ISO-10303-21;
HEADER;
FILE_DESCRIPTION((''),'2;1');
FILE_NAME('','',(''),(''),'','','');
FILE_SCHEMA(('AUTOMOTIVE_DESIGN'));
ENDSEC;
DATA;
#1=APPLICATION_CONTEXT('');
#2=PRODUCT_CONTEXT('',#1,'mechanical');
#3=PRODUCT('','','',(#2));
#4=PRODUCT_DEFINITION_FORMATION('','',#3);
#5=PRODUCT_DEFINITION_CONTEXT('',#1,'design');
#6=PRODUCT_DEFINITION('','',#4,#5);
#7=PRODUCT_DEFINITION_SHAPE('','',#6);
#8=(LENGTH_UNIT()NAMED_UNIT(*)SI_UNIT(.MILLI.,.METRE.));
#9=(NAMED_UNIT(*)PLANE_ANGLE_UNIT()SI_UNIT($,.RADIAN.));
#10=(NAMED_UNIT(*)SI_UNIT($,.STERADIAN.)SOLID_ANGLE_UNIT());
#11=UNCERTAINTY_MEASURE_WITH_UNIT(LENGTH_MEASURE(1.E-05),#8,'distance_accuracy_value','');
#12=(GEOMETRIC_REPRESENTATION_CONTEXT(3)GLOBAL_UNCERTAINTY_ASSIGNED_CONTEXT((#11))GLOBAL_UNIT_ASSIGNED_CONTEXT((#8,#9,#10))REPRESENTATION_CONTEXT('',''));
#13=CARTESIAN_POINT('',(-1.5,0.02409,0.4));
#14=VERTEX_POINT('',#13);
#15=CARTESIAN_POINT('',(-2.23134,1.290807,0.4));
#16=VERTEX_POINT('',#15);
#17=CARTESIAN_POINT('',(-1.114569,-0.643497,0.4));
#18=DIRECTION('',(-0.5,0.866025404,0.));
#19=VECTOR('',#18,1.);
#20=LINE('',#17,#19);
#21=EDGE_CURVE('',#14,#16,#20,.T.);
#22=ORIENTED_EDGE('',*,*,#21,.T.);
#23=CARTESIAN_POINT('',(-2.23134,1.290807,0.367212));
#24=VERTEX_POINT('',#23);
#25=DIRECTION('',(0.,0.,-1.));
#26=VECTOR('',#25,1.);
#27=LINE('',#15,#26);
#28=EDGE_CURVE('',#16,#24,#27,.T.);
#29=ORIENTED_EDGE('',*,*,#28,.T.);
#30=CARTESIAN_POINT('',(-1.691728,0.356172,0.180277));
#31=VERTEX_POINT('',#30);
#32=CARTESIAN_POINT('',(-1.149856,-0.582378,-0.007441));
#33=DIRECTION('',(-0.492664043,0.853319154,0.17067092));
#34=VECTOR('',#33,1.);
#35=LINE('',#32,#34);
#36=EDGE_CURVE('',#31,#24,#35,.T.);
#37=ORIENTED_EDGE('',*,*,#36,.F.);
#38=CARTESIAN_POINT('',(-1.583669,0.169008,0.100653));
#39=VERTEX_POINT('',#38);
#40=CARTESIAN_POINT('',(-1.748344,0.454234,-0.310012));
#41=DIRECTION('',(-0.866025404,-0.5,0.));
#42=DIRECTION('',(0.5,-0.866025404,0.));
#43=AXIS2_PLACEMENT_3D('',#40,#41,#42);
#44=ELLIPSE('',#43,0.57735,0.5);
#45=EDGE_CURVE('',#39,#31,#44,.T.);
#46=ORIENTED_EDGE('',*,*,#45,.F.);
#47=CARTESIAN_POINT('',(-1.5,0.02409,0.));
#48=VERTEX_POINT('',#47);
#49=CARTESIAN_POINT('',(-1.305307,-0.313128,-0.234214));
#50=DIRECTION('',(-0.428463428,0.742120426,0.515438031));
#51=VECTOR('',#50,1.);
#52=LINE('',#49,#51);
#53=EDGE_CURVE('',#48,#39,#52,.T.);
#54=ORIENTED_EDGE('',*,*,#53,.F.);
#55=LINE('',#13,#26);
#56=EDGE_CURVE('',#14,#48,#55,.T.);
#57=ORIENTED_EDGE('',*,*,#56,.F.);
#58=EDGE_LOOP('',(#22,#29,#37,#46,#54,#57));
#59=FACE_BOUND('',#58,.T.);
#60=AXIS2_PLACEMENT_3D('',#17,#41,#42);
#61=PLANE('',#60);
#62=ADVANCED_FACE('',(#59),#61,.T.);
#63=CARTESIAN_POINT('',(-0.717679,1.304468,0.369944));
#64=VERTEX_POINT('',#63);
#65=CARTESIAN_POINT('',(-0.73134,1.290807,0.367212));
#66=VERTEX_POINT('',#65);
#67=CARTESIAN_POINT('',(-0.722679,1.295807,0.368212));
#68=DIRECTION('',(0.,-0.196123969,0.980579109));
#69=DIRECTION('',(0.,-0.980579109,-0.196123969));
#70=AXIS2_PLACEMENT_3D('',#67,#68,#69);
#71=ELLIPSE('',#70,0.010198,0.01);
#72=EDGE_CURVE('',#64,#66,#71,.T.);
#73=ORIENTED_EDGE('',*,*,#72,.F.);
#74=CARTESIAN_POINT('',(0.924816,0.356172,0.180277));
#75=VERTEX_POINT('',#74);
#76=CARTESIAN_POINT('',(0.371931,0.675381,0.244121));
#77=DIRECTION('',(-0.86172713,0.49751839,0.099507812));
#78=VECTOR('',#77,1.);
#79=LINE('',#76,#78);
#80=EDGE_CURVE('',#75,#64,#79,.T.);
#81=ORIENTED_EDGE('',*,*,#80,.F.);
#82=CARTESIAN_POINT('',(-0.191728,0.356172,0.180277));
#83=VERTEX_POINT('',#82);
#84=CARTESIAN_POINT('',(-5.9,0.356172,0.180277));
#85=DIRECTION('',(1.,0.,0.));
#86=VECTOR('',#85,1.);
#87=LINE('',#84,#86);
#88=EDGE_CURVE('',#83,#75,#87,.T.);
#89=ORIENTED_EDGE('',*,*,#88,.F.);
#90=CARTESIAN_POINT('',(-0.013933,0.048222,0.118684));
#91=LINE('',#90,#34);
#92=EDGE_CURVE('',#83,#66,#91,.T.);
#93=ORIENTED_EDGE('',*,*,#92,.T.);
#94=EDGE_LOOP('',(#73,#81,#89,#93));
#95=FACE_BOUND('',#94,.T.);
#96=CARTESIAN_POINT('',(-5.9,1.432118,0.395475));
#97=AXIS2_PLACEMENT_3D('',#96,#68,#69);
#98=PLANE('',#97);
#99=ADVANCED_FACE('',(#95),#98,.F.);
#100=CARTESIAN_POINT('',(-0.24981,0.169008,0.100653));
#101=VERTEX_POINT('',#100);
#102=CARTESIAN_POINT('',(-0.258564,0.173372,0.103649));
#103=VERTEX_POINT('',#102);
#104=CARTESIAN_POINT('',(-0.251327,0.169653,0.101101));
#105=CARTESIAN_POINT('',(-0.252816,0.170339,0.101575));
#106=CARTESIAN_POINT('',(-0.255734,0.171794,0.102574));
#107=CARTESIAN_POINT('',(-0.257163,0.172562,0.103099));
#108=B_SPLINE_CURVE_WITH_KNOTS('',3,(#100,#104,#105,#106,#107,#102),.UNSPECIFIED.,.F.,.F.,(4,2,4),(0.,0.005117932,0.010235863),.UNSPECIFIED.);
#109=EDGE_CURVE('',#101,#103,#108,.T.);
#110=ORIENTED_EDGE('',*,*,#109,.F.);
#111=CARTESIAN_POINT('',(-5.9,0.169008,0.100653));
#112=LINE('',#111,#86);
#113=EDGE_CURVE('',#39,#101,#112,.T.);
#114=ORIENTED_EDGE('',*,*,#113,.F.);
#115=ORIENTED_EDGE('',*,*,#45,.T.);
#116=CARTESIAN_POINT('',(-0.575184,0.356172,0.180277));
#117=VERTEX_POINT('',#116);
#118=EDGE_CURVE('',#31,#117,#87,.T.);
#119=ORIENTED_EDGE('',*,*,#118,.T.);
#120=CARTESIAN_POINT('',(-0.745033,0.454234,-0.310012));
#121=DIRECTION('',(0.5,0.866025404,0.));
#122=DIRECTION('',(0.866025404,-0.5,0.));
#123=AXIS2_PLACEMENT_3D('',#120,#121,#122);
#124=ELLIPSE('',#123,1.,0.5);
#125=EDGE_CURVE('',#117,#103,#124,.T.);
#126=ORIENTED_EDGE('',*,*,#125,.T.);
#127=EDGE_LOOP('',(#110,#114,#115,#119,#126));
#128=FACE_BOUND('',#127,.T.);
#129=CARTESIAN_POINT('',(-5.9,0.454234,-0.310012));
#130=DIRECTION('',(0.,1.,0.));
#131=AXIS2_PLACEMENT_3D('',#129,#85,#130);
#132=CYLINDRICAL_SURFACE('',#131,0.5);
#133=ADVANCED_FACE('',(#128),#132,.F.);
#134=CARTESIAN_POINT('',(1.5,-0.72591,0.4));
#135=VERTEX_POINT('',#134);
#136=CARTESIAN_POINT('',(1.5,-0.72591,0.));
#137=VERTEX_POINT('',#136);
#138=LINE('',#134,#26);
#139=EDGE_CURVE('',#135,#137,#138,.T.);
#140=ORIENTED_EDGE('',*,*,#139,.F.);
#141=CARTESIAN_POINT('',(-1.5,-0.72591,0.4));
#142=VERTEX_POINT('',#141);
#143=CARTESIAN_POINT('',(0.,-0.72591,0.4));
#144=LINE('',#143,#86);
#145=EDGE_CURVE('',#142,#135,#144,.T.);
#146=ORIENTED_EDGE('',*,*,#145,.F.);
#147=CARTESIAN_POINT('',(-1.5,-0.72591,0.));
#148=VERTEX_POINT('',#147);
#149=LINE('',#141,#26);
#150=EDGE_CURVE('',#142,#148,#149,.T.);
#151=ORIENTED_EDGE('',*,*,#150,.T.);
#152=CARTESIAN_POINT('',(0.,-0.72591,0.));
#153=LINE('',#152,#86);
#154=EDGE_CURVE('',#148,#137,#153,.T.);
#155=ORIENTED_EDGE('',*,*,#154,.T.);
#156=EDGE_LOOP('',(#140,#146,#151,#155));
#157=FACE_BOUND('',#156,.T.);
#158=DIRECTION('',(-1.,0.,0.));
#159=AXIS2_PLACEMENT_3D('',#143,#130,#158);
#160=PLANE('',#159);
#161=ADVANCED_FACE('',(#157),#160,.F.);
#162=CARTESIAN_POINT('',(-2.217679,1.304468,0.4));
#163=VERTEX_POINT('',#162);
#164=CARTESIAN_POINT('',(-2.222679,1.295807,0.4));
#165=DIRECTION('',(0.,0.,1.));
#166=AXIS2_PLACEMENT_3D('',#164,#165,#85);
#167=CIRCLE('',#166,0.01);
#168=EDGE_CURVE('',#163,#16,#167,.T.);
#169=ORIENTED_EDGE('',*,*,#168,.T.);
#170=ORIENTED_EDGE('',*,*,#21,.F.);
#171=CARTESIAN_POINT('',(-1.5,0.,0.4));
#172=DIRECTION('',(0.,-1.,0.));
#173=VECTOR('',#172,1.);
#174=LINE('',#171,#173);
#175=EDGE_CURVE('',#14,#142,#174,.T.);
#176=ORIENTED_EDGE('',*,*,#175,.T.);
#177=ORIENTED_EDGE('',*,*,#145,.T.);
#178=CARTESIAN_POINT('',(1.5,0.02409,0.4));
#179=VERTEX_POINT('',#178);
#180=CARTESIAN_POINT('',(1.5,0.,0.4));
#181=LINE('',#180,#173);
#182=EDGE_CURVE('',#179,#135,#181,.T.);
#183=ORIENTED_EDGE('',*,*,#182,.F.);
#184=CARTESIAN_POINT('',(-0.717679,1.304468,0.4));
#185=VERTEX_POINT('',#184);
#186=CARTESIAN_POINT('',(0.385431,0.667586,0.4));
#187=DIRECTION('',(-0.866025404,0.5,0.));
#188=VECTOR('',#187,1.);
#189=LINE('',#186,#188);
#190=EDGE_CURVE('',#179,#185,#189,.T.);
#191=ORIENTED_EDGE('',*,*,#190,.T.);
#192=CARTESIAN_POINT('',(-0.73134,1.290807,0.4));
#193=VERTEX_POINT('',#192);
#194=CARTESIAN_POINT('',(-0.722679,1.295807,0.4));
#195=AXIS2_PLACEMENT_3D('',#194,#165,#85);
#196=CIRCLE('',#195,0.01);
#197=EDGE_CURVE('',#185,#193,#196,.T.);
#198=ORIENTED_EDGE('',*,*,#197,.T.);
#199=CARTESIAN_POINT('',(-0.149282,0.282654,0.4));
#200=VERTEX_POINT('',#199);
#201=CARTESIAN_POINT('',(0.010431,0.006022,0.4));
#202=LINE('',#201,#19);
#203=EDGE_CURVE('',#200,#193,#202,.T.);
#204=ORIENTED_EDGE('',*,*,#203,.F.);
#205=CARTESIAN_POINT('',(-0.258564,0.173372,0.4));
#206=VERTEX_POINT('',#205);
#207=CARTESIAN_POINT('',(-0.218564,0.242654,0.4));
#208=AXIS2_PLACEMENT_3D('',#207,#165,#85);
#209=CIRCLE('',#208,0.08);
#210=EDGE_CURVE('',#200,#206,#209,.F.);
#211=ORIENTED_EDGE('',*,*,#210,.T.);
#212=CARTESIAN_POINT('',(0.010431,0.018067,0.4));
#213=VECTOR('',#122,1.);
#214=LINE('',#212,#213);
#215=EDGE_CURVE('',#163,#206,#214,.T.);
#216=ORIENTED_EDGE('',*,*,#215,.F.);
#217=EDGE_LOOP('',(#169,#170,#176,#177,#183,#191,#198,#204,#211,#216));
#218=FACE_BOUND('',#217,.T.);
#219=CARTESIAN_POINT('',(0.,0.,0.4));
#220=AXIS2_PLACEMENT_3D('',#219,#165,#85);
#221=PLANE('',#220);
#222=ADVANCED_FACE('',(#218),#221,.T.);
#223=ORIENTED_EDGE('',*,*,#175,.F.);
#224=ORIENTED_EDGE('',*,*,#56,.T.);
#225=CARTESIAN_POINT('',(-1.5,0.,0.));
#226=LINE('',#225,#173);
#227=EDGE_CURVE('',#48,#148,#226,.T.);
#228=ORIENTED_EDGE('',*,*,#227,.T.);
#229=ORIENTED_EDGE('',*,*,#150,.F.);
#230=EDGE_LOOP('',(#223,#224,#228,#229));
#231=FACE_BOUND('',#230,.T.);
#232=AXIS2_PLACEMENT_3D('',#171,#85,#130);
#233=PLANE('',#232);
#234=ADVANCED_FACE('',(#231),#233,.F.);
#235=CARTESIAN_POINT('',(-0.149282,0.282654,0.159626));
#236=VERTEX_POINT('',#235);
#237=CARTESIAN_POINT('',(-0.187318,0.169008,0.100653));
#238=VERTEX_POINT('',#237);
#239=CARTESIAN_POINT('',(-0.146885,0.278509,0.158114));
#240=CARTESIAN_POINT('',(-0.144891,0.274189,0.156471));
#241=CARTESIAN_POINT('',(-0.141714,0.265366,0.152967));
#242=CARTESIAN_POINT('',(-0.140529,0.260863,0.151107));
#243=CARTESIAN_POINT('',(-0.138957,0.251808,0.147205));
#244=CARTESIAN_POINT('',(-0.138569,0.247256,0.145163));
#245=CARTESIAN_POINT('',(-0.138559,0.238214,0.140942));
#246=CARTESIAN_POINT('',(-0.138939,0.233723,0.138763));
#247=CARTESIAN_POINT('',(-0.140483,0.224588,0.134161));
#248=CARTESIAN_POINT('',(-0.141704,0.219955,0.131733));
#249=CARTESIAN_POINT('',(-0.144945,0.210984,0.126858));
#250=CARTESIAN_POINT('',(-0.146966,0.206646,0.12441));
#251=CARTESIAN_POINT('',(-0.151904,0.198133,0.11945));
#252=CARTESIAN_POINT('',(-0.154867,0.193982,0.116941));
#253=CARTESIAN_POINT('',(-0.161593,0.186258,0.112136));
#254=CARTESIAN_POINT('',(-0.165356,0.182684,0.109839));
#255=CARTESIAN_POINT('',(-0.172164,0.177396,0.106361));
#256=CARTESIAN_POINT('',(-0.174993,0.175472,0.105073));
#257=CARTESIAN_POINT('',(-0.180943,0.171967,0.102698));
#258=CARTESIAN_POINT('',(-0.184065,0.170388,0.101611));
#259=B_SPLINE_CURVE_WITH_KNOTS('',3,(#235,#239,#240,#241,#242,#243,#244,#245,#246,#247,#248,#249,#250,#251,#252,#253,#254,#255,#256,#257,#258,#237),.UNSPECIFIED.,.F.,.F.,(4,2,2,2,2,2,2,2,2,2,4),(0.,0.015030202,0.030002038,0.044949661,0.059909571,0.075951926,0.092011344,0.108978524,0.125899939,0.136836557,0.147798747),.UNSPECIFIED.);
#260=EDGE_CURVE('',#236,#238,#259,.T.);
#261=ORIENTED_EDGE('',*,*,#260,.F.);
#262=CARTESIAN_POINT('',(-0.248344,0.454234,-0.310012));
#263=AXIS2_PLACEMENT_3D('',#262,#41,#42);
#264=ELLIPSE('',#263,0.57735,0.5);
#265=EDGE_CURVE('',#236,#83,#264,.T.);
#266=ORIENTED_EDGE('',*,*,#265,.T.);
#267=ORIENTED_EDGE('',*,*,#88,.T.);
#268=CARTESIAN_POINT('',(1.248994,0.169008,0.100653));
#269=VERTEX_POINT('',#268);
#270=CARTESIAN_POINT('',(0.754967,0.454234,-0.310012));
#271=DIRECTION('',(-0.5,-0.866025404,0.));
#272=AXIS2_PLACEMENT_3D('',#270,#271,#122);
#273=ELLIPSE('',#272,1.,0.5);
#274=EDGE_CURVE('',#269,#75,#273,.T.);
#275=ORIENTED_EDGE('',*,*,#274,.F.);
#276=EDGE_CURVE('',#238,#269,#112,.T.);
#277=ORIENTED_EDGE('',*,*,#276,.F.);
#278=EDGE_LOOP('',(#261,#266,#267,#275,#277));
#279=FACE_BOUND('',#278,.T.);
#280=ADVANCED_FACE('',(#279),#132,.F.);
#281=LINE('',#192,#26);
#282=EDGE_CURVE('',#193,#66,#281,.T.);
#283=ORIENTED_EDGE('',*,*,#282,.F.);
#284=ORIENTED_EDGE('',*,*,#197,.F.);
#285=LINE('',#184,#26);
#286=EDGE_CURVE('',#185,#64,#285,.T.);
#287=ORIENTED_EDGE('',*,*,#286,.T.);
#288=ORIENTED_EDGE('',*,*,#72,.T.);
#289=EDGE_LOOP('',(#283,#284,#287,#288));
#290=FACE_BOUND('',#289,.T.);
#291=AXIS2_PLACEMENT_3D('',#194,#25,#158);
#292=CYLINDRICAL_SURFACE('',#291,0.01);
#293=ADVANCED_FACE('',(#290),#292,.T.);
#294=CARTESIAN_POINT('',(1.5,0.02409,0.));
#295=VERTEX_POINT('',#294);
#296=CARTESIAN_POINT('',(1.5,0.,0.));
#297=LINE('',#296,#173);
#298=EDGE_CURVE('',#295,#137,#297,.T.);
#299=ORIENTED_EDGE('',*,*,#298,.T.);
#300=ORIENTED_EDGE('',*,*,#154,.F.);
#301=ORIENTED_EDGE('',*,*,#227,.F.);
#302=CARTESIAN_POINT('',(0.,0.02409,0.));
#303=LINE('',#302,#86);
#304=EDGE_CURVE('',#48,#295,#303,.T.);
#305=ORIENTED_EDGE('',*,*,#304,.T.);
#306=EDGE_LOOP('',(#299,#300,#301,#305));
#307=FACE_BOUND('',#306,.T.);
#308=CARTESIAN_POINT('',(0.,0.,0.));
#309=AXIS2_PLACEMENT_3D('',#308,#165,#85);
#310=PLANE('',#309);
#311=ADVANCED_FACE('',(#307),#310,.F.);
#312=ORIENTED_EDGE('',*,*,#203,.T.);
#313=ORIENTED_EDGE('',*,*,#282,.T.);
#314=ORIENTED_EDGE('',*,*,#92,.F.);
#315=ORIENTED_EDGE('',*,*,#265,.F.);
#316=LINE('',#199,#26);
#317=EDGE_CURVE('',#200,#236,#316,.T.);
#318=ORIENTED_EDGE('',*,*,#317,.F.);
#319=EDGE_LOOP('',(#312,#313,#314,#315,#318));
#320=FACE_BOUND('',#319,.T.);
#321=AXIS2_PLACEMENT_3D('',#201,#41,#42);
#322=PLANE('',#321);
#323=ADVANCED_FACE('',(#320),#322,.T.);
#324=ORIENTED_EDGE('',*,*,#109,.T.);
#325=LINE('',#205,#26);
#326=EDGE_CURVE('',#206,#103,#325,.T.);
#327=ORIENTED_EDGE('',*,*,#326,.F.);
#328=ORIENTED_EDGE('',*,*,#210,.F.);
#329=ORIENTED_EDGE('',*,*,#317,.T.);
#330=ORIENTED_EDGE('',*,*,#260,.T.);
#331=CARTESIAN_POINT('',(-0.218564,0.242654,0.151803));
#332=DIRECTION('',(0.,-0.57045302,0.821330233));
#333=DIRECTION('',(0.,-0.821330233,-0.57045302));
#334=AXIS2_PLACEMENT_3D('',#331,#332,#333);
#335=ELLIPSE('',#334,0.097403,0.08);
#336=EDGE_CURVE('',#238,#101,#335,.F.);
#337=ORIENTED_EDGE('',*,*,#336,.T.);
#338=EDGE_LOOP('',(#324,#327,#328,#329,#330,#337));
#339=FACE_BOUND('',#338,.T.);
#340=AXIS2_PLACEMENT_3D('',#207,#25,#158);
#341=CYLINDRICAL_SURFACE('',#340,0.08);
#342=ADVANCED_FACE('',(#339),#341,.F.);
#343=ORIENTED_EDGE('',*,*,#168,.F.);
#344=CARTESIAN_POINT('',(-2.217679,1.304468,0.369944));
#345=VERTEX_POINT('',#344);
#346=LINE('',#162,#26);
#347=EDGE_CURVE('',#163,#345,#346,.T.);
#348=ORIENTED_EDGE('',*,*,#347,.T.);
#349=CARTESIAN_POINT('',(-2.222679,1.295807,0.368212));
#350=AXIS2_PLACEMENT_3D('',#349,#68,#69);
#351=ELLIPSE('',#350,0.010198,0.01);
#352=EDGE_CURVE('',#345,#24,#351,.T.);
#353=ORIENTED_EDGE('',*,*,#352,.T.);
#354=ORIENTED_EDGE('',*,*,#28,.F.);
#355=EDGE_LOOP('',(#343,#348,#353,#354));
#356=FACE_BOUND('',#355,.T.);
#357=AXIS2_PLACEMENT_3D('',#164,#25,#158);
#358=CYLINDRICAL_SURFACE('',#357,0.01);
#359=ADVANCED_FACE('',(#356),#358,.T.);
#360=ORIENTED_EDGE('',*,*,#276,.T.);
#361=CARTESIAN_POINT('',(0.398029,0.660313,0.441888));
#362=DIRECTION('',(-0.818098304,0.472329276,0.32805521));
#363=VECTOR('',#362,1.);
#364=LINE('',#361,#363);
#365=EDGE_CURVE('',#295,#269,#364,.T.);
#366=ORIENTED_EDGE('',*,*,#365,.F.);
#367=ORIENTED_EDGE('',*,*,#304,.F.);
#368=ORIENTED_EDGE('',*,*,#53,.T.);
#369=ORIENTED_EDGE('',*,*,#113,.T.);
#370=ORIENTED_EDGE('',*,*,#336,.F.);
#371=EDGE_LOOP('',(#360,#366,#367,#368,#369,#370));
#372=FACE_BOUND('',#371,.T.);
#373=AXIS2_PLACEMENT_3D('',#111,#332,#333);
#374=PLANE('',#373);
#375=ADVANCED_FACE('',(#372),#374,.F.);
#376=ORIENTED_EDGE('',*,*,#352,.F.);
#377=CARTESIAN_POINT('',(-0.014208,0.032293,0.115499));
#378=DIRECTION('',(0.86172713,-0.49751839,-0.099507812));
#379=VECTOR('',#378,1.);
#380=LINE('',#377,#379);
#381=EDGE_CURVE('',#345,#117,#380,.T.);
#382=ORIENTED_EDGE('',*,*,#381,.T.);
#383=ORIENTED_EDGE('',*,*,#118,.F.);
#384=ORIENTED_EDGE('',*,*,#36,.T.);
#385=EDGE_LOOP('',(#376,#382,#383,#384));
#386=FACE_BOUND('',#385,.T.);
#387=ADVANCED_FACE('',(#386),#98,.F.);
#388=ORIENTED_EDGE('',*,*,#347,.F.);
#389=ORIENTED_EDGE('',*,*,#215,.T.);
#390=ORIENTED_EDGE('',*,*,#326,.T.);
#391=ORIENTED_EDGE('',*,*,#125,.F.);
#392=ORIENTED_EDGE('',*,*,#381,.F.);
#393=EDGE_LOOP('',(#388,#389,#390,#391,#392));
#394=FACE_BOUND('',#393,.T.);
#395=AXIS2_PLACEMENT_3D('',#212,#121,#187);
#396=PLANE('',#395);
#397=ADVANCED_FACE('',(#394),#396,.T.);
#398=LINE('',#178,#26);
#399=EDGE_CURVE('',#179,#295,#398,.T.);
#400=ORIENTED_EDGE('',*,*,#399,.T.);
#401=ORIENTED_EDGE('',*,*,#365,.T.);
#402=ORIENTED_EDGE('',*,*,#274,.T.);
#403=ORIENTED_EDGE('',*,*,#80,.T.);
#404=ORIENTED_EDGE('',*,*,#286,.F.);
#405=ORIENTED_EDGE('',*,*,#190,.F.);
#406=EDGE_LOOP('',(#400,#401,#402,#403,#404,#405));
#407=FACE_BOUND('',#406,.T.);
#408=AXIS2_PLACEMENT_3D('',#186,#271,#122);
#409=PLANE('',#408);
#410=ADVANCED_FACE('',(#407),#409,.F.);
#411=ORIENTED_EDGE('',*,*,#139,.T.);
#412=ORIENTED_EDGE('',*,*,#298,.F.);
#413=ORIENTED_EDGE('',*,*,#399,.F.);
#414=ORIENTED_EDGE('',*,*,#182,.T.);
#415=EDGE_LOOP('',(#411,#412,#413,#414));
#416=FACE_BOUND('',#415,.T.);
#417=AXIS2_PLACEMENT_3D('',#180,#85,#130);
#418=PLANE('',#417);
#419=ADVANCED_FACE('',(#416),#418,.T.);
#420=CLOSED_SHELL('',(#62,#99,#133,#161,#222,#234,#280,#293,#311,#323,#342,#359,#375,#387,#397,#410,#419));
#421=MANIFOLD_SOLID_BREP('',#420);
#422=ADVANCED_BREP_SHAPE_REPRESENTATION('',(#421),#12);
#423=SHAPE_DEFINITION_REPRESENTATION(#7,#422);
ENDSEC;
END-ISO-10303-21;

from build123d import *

# Parameters (mm, degrees)
SKETCH1_W           = 3
SKETCH1_H           = 0.75
BOSS_EXTRUDE2_DEPTH = 0.4
CUT_EXTRUDE2_DEPTH  = 7.4


with BuildPart() as part:
    # Sketch1 → Boss-Extrude2 (new body)
    with BuildSketch(Plane.XY):
        with Locations((0, -0.350910333)):
            Rectangle(SKETCH1_W, SKETCH1_H)
        with BuildLine():
            Line((1.5, 0.024089667), (-0.717679492, 1.304467518))
            ThreePointArc((-0.717679492, 1.304467518), (-0.72975056, 1.302878332), (-0.731339746, 1.290807264))
            Line((-0.731339746, 1.290807264), (-0.149282032, 0.282653731))
            ThreePointArc((-0.149282032, 0.282653731), (-0.161995522, 0.186085189), (-0.258564065, 0.173371699))
            Line((-0.258564065, 0.173371699), (-2.217679492, 1.304467518))
            ThreePointArc((-2.217679492, 1.304467518), (-2.22975056, 1.302878332), (-2.231339746, 1.290807264))
            Line((-2.231339746, 1.290807264), (-1.5, 0.024089667))
            Line((-1.5, 0.024089667), (1.5, 0.024089667))
        make_face()
    extrude(amount=BOSS_EXTRUDE2_DEPTH)

    # Sketch3 → Cut-Extrude2 (cut)
    with BuildSketch(Plane(origin=(1.5, 0, 0), x_dir=(0, 0, -1), z_dir=(1, 0, 0))):
        with BuildLine():
            Line((-0.395475089, 1.432117688), (-0.180277111, 0.356172496))
            ThreePointArc((-0.180277111, 0.356172496), (-0.150082623, 0.258498611), (-0.100652673, 0.16900797))
            Line((-0.100652673, 0.16900797), (0, 0.024089667))
            Line((0, 0.024089667), (0, 1.432117688))
            Line((0, 1.432117688), (-0.395475089, 1.432117688))
        make_face()
    extrude(amount=-CUT_EXTRUDE2_DEPTH, mode=Mode.SUBTRACT)


solid = part.part
